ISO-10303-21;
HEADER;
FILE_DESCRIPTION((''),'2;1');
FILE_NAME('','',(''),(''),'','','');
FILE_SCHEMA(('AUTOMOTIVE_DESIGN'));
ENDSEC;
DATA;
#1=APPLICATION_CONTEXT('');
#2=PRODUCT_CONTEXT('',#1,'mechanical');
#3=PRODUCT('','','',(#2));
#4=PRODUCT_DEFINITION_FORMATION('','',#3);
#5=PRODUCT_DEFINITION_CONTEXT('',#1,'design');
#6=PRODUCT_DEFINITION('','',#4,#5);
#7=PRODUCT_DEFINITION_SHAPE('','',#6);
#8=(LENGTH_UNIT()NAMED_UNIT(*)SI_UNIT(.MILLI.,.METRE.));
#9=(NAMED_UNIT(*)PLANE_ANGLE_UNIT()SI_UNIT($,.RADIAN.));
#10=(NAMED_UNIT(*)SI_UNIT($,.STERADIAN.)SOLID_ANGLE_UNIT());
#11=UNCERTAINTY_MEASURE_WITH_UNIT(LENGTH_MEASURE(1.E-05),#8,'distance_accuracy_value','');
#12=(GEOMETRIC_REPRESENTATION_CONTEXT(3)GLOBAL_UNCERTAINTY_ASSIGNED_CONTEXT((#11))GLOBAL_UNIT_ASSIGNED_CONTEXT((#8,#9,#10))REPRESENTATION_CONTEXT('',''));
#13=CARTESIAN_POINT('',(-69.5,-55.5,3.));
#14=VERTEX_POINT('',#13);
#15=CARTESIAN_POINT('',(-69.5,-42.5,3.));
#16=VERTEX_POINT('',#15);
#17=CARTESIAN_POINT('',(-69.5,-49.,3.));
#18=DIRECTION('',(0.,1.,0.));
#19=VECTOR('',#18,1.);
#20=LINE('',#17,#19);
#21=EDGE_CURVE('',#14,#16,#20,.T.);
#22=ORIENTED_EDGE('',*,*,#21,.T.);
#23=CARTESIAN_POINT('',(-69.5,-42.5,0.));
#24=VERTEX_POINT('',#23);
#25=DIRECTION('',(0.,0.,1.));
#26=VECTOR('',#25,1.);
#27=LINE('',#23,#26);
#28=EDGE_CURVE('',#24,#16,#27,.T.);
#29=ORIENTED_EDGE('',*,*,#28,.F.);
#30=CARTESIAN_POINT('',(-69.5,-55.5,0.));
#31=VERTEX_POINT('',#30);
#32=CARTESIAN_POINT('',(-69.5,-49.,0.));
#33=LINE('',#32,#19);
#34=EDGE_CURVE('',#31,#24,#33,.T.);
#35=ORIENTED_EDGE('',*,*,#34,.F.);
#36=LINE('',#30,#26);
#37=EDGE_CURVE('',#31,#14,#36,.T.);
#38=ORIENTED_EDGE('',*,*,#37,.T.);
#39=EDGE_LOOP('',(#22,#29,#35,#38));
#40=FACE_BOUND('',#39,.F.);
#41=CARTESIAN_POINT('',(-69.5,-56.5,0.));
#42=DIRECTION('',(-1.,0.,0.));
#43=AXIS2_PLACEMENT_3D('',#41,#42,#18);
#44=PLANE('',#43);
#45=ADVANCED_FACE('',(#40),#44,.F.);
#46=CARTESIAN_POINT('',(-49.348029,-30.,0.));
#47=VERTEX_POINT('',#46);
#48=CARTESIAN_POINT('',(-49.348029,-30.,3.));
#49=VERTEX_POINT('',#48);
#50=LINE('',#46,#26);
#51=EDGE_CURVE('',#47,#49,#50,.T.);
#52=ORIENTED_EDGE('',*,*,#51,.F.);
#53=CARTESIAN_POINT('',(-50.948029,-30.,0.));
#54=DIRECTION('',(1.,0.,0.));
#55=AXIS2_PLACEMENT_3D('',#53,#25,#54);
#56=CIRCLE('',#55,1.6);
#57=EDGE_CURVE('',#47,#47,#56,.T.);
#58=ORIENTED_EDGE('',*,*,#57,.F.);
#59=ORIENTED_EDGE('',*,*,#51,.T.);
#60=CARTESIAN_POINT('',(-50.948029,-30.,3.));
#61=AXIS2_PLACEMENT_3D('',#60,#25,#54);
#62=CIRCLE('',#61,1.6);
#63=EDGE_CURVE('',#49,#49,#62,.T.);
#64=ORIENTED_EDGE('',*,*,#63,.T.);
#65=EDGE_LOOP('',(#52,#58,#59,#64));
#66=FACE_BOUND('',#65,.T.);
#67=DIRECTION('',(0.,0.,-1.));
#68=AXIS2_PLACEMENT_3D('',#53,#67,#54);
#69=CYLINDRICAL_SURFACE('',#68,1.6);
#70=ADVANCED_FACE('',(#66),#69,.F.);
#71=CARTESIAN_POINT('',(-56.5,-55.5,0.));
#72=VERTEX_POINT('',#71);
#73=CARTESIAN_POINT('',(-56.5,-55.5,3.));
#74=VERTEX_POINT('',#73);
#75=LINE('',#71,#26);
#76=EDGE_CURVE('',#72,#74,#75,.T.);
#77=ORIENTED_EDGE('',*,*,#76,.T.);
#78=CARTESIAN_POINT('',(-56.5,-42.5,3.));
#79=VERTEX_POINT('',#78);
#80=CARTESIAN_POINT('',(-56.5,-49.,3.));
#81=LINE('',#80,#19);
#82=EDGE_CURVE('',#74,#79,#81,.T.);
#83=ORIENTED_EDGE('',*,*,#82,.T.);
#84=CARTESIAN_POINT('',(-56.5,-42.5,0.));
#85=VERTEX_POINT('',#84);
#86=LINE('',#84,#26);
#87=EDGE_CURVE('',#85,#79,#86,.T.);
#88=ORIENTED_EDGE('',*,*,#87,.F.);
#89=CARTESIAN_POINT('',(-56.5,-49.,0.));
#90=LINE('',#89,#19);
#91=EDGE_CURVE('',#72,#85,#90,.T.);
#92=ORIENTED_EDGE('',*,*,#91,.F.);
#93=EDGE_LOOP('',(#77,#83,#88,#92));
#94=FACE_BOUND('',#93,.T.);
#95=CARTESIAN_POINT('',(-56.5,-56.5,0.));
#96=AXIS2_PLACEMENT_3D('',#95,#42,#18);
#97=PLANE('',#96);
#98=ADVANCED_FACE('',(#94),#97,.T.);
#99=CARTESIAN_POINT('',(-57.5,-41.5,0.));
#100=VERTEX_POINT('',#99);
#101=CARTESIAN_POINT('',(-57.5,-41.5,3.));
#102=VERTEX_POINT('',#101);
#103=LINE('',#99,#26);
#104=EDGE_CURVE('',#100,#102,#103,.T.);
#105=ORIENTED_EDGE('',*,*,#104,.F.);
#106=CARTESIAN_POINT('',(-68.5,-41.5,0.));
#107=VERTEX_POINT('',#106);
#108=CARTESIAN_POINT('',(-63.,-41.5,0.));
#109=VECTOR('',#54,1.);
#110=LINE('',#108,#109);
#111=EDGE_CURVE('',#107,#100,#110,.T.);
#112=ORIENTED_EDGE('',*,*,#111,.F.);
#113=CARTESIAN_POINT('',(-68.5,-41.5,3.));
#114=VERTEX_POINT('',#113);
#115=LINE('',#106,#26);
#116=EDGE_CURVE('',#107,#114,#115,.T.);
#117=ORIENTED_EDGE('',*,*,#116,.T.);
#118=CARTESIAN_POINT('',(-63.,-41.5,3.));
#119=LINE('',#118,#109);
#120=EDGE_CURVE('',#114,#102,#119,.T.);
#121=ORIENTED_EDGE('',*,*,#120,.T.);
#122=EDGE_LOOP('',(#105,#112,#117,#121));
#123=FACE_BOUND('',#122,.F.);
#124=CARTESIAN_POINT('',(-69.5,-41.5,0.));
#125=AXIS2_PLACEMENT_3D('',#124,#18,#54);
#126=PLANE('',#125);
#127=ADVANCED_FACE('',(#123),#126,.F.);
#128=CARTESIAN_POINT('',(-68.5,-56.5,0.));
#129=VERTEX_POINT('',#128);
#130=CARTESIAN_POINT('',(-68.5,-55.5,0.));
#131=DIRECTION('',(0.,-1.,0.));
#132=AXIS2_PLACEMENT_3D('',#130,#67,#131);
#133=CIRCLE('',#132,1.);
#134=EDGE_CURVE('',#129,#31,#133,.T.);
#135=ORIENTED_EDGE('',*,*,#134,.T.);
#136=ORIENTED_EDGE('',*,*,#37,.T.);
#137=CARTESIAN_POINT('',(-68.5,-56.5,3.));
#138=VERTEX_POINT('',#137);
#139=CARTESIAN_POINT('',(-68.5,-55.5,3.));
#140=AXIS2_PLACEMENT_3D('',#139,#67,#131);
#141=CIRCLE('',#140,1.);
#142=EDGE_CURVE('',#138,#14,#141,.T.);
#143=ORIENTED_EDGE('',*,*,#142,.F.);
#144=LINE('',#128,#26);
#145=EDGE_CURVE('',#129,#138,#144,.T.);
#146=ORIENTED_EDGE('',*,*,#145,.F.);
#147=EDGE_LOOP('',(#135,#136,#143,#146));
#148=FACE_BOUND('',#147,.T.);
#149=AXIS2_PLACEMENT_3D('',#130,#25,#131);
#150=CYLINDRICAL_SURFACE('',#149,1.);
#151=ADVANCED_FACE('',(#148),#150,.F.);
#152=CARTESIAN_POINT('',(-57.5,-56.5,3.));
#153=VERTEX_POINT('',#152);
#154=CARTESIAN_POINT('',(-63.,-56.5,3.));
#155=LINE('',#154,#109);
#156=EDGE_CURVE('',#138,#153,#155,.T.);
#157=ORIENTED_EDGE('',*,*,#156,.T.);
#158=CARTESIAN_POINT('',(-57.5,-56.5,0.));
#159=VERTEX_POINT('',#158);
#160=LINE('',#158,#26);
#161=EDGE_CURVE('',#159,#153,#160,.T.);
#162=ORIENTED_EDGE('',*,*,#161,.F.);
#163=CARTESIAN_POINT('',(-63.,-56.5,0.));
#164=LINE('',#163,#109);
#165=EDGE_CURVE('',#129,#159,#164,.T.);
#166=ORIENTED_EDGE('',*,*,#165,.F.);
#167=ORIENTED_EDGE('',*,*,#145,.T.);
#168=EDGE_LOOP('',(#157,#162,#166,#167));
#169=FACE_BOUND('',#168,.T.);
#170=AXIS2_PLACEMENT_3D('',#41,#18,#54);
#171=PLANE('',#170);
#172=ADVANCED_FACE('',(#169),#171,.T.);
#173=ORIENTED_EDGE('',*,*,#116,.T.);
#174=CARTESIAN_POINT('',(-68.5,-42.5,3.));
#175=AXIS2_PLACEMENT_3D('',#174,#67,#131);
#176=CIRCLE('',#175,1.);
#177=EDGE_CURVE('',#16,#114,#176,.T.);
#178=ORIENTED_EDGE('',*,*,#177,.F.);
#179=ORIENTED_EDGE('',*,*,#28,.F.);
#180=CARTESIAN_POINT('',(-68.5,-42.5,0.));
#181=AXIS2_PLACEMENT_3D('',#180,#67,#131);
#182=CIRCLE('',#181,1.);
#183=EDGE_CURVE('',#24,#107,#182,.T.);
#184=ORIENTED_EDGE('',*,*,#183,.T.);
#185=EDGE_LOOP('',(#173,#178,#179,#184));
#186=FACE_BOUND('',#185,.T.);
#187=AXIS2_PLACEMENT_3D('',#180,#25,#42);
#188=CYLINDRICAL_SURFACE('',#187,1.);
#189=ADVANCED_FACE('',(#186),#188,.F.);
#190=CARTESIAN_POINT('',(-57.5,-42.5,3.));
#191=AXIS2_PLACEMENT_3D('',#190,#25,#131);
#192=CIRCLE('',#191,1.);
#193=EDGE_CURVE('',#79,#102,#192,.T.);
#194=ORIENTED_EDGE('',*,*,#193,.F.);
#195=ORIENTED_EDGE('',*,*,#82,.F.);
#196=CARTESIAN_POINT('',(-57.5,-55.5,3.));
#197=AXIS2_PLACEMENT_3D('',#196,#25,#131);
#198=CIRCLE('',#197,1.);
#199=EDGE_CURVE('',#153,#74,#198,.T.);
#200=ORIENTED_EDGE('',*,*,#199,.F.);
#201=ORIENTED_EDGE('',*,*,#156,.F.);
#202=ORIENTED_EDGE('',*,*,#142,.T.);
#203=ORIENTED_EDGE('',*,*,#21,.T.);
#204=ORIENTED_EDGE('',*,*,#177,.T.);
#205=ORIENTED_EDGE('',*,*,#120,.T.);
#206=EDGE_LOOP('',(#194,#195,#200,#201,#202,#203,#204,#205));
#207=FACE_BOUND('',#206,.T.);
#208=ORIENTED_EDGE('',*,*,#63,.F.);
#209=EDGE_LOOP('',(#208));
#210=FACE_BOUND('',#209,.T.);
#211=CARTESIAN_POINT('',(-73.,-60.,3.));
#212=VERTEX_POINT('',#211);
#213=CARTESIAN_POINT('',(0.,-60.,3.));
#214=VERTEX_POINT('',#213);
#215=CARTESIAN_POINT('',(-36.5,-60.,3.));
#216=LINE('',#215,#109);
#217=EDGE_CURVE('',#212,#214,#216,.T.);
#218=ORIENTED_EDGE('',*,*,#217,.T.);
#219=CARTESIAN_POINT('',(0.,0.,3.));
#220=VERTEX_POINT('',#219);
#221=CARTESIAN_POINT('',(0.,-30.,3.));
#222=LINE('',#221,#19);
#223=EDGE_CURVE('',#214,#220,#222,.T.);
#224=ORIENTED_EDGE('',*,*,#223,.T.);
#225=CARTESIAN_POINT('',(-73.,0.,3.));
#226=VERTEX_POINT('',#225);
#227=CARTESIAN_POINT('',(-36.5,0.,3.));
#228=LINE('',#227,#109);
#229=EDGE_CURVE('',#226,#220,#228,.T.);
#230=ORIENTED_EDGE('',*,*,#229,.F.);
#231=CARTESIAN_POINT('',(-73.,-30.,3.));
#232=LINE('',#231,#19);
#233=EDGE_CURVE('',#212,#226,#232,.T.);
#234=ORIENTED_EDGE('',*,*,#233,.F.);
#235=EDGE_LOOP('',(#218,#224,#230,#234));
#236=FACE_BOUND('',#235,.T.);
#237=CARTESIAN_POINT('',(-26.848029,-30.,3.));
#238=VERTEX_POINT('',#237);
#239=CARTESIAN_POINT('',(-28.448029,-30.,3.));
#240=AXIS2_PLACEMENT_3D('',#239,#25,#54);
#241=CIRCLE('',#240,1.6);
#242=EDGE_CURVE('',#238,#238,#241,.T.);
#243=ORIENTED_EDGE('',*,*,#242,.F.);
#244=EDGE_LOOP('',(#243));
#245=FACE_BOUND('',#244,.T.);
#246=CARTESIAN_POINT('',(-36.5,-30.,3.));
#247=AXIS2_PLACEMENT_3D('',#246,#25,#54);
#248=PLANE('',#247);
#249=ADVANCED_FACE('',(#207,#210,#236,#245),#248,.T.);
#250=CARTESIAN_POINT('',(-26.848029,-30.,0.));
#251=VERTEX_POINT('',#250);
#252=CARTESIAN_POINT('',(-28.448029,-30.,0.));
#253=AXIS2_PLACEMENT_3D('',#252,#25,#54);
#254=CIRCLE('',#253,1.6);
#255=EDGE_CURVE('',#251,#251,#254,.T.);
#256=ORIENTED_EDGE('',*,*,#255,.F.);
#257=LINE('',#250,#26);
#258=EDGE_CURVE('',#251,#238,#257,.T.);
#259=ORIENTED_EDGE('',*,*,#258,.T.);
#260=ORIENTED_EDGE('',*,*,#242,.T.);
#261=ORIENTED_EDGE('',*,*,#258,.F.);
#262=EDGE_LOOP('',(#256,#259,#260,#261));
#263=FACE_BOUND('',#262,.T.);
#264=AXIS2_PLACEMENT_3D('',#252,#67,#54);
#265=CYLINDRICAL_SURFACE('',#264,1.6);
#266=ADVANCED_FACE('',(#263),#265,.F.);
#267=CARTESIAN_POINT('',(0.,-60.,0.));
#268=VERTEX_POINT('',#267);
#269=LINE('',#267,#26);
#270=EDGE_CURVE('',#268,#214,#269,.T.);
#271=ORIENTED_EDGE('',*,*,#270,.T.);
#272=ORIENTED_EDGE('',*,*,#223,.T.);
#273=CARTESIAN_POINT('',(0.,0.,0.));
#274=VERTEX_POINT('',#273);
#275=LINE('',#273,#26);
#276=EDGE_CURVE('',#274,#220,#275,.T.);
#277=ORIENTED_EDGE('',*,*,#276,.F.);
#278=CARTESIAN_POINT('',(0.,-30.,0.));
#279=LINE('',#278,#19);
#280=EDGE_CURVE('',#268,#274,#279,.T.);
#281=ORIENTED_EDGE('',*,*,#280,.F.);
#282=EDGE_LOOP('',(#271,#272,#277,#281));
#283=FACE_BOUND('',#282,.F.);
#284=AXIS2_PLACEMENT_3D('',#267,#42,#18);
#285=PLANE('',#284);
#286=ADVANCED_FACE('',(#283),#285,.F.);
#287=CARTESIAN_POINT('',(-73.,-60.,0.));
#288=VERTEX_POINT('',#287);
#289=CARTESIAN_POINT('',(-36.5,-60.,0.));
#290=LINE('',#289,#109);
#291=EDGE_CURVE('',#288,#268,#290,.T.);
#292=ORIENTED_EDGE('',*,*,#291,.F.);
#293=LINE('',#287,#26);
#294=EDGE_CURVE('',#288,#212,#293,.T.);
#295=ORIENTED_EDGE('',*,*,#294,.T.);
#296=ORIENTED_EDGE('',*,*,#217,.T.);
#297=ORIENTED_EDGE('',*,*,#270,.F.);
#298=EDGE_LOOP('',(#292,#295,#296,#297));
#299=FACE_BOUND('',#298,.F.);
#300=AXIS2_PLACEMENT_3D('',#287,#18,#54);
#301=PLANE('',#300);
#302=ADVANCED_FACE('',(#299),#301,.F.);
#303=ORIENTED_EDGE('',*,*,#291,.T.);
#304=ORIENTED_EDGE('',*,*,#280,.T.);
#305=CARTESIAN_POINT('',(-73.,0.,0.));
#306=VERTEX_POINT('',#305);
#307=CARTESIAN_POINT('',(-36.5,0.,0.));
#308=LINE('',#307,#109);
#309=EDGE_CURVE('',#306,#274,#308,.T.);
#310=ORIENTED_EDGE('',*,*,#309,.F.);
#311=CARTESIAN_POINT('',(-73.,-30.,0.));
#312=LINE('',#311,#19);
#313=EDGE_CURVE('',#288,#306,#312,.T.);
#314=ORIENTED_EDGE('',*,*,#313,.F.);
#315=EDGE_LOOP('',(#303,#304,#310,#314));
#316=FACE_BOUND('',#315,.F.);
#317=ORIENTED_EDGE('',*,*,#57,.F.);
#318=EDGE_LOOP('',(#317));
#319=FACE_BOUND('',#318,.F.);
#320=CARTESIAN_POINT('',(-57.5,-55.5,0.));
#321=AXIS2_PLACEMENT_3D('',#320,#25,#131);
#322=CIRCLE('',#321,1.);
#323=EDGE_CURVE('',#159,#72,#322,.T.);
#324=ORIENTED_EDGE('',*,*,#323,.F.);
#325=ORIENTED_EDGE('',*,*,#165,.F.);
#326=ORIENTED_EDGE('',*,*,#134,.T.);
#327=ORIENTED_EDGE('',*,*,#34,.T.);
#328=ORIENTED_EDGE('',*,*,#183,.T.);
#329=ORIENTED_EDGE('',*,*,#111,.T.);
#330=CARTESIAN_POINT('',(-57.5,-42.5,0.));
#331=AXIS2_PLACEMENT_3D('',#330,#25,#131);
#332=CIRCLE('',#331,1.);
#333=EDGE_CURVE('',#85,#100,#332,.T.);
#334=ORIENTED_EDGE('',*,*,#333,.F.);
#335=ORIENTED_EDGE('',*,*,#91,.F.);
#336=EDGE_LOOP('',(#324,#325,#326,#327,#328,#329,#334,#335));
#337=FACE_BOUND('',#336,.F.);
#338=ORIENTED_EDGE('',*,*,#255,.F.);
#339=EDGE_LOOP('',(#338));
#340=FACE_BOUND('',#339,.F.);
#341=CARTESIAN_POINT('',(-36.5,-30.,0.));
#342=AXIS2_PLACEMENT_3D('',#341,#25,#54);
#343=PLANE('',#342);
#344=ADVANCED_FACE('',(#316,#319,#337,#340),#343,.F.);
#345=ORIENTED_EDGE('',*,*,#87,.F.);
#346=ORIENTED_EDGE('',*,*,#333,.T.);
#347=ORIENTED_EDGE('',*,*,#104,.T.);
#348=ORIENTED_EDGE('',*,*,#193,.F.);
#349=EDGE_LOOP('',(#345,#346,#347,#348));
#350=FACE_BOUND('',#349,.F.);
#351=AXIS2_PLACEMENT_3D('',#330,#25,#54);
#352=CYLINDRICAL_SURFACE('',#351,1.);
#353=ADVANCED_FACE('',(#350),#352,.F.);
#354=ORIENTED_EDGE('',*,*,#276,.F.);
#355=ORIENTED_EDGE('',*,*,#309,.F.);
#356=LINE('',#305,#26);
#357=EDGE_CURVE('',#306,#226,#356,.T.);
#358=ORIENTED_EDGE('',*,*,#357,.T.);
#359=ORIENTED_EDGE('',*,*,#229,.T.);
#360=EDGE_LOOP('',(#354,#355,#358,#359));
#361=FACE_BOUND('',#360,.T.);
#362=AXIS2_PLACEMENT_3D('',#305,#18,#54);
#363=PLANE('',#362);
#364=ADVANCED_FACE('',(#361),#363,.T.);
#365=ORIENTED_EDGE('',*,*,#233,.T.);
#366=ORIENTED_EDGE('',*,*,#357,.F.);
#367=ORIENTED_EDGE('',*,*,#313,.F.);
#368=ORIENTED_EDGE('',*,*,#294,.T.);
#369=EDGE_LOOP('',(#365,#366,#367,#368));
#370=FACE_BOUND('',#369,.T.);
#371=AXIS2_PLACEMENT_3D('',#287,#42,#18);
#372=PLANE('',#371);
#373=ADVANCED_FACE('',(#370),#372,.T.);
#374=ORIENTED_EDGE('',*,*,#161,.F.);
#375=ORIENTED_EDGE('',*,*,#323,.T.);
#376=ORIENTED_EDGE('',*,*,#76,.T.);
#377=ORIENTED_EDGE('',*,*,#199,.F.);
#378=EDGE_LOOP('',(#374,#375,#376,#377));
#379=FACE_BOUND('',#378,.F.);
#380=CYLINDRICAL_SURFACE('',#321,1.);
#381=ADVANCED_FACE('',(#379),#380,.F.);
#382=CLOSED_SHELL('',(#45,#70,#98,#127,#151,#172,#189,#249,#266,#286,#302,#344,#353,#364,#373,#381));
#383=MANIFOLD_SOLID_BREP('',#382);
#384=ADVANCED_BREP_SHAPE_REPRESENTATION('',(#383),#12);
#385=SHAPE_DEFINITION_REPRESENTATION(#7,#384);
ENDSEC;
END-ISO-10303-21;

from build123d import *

# Parameters (mm, degrees)
F0_W     = 73
F0_H     = 60
F0_W_2   = 13
F0_H_2   = 15
F0_R     = 1.6
F1_DEPTH = 3
F2_R     = 1


with BuildPart() as f1:
    # F0 (on Top) → F1 (new body)
    with BuildSketch(Plane.XY):
        with Locations((-36.5, -30)):
            Rectangle(F0_W, F0_H)
        with Locations((-63, -49)):
            Rectangle(F0_W_2, F0_H_2, mode=Mode.SUBTRACT)
        with Locations((-50.948029, -30)):
            Circle(F0_R, mode=Mode.SUBTRACT)
        with Locations((-28.448029, -30)):
            Circle(F0_R, mode=Mode.SUBTRACT)
    extrude(amount=F1_DEPTH)

    # F2
    f2_edges = [f1.edges().sort_by_distance(p)[0] for p in [
        (-69.5, -41.5, 1.5),
        (-56.5, -56.5, 1.5),
        (-69.5, -56.5, 1.5),
        (-56.5, -41.5, 1.5),
    ]]
    fillet(f2_edges, radius=F2_R)


solid = f1.part
